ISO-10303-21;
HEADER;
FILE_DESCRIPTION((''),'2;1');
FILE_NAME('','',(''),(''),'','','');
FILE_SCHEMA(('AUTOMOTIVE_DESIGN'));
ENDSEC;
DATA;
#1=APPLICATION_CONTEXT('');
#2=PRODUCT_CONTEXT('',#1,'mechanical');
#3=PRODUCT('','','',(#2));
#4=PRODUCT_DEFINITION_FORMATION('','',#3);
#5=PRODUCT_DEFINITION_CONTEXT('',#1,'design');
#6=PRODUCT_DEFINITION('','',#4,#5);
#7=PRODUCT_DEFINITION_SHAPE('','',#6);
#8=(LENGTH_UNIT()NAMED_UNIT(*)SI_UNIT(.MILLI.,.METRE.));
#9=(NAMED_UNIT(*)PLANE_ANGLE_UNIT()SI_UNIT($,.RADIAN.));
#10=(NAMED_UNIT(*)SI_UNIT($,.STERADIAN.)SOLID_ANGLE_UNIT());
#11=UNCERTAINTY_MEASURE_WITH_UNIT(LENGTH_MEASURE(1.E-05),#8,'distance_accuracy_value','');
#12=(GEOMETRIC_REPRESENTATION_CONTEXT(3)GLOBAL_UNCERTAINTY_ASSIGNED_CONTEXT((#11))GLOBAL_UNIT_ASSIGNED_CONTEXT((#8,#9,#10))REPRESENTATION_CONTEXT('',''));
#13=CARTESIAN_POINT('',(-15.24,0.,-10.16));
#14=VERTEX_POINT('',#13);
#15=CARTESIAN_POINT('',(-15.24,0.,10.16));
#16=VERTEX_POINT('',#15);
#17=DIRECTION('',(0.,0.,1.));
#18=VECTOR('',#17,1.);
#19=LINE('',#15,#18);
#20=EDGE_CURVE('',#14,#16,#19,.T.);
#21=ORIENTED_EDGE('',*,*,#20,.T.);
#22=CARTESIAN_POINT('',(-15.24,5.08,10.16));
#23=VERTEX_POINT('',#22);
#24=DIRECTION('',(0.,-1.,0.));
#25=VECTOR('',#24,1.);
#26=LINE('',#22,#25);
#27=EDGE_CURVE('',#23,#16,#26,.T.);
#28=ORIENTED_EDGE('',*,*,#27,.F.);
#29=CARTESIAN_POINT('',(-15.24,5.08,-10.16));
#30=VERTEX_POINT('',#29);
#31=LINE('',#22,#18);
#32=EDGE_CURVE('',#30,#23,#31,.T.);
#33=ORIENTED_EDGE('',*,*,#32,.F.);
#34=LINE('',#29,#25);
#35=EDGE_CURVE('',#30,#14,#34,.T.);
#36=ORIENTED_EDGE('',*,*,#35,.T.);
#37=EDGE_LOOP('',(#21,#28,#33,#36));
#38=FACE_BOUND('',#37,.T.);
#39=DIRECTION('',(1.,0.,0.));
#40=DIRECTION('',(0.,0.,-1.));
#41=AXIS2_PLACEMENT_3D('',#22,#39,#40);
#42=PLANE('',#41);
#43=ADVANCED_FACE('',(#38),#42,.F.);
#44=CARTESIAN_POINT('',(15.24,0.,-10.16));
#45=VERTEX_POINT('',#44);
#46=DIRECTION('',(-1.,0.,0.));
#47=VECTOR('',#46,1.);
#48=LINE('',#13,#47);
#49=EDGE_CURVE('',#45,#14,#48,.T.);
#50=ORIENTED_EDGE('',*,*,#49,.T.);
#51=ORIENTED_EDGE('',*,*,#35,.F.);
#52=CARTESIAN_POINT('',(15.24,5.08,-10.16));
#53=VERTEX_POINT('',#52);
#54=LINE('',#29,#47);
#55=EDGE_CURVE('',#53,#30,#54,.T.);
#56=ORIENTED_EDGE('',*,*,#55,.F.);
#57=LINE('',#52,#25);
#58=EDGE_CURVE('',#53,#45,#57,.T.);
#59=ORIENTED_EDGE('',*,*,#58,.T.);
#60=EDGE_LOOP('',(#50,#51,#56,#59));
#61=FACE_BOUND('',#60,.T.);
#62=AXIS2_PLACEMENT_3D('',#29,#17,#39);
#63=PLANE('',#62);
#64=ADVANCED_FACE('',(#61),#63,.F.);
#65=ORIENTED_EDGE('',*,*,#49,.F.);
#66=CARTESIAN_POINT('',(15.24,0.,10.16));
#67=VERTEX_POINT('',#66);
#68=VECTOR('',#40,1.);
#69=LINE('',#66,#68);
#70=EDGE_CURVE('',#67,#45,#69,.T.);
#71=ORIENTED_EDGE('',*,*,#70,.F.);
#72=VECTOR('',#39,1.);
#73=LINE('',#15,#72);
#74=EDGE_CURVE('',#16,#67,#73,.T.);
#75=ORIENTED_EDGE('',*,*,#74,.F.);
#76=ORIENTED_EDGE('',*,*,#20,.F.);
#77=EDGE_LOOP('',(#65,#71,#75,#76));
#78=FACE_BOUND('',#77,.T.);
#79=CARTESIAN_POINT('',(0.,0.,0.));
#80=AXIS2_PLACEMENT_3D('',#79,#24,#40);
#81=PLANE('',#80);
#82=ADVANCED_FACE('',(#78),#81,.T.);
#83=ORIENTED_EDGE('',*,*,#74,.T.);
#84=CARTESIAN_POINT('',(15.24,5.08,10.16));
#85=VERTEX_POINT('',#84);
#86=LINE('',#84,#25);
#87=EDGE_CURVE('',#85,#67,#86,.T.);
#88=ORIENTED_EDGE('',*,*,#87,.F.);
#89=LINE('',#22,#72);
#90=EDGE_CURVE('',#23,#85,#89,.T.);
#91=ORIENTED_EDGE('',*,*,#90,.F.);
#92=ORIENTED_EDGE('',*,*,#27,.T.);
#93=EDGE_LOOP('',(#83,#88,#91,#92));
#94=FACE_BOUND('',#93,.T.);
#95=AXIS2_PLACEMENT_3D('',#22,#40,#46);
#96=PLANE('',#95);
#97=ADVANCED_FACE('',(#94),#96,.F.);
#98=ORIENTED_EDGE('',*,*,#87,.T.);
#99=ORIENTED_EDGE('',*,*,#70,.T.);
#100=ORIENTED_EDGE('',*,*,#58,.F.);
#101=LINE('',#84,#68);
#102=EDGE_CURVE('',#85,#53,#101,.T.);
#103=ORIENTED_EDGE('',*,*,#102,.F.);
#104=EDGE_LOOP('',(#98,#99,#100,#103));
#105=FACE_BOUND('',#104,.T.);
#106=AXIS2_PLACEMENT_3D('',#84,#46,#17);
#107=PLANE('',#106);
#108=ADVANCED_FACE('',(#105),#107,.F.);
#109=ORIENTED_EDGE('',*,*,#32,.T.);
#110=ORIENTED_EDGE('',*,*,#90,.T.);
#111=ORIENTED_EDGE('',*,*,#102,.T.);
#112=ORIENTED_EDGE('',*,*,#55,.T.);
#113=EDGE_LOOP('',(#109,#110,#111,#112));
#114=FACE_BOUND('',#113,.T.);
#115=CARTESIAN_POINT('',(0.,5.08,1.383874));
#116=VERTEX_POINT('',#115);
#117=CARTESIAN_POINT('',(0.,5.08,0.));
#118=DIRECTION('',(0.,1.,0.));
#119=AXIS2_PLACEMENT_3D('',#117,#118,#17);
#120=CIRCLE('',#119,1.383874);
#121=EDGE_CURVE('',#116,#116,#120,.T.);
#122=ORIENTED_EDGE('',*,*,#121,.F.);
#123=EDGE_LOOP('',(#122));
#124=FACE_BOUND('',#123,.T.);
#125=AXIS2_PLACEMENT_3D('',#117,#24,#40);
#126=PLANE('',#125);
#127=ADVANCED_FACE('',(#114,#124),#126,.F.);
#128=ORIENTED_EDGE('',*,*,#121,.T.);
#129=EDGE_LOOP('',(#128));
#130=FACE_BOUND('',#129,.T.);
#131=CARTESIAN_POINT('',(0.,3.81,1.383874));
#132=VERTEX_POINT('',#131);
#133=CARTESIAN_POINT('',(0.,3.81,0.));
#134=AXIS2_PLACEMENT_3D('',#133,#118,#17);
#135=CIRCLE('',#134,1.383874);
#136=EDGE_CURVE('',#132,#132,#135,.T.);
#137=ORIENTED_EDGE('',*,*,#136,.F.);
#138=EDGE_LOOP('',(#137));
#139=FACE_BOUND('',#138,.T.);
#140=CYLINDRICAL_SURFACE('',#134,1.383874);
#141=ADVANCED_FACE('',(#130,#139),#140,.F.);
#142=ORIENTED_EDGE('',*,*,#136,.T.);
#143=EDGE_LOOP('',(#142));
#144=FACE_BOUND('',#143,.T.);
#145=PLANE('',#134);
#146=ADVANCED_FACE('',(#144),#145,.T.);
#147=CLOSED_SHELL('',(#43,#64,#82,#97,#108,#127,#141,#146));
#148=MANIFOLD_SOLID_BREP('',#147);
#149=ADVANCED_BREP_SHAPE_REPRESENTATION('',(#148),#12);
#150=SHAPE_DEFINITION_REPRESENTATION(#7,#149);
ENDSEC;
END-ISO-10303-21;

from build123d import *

# Parameters (mm, degrees)
SKETCH1_W           = 30.48
SKETCH1_H           = 20.32
BOSS_EXTRUDE1_DEPTH = 5.08
SKETCH2_R           = 1.383874396
CUT_EXTRUDE1_DEPTH  = 1.27


with BuildPart() as part:
    # Sketch1 → Boss-Extrude1 (new body)
    with BuildSketch(Plane(origin=(0, 0, 0), x_dir=(1, 0, 0), z_dir=(0, 1, 0))):
        Rectangle(SKETCH1_W, SKETCH1_H)
    extrude(amount=BOSS_EXTRUDE1_DEPTH)

    # Sketch2 → Cut-Extrude1 (cut)
    with BuildSketch(Plane(origin=(0, 5.08, 0), x_dir=(1, 0, 0), z_dir=(0, 1, 0))):
        Circle(SKETCH2_R)
    extrude(amount=-CUT_EXTRUDE1_DEPTH, mode=Mode.SUBTRACT)


solid = part.part
